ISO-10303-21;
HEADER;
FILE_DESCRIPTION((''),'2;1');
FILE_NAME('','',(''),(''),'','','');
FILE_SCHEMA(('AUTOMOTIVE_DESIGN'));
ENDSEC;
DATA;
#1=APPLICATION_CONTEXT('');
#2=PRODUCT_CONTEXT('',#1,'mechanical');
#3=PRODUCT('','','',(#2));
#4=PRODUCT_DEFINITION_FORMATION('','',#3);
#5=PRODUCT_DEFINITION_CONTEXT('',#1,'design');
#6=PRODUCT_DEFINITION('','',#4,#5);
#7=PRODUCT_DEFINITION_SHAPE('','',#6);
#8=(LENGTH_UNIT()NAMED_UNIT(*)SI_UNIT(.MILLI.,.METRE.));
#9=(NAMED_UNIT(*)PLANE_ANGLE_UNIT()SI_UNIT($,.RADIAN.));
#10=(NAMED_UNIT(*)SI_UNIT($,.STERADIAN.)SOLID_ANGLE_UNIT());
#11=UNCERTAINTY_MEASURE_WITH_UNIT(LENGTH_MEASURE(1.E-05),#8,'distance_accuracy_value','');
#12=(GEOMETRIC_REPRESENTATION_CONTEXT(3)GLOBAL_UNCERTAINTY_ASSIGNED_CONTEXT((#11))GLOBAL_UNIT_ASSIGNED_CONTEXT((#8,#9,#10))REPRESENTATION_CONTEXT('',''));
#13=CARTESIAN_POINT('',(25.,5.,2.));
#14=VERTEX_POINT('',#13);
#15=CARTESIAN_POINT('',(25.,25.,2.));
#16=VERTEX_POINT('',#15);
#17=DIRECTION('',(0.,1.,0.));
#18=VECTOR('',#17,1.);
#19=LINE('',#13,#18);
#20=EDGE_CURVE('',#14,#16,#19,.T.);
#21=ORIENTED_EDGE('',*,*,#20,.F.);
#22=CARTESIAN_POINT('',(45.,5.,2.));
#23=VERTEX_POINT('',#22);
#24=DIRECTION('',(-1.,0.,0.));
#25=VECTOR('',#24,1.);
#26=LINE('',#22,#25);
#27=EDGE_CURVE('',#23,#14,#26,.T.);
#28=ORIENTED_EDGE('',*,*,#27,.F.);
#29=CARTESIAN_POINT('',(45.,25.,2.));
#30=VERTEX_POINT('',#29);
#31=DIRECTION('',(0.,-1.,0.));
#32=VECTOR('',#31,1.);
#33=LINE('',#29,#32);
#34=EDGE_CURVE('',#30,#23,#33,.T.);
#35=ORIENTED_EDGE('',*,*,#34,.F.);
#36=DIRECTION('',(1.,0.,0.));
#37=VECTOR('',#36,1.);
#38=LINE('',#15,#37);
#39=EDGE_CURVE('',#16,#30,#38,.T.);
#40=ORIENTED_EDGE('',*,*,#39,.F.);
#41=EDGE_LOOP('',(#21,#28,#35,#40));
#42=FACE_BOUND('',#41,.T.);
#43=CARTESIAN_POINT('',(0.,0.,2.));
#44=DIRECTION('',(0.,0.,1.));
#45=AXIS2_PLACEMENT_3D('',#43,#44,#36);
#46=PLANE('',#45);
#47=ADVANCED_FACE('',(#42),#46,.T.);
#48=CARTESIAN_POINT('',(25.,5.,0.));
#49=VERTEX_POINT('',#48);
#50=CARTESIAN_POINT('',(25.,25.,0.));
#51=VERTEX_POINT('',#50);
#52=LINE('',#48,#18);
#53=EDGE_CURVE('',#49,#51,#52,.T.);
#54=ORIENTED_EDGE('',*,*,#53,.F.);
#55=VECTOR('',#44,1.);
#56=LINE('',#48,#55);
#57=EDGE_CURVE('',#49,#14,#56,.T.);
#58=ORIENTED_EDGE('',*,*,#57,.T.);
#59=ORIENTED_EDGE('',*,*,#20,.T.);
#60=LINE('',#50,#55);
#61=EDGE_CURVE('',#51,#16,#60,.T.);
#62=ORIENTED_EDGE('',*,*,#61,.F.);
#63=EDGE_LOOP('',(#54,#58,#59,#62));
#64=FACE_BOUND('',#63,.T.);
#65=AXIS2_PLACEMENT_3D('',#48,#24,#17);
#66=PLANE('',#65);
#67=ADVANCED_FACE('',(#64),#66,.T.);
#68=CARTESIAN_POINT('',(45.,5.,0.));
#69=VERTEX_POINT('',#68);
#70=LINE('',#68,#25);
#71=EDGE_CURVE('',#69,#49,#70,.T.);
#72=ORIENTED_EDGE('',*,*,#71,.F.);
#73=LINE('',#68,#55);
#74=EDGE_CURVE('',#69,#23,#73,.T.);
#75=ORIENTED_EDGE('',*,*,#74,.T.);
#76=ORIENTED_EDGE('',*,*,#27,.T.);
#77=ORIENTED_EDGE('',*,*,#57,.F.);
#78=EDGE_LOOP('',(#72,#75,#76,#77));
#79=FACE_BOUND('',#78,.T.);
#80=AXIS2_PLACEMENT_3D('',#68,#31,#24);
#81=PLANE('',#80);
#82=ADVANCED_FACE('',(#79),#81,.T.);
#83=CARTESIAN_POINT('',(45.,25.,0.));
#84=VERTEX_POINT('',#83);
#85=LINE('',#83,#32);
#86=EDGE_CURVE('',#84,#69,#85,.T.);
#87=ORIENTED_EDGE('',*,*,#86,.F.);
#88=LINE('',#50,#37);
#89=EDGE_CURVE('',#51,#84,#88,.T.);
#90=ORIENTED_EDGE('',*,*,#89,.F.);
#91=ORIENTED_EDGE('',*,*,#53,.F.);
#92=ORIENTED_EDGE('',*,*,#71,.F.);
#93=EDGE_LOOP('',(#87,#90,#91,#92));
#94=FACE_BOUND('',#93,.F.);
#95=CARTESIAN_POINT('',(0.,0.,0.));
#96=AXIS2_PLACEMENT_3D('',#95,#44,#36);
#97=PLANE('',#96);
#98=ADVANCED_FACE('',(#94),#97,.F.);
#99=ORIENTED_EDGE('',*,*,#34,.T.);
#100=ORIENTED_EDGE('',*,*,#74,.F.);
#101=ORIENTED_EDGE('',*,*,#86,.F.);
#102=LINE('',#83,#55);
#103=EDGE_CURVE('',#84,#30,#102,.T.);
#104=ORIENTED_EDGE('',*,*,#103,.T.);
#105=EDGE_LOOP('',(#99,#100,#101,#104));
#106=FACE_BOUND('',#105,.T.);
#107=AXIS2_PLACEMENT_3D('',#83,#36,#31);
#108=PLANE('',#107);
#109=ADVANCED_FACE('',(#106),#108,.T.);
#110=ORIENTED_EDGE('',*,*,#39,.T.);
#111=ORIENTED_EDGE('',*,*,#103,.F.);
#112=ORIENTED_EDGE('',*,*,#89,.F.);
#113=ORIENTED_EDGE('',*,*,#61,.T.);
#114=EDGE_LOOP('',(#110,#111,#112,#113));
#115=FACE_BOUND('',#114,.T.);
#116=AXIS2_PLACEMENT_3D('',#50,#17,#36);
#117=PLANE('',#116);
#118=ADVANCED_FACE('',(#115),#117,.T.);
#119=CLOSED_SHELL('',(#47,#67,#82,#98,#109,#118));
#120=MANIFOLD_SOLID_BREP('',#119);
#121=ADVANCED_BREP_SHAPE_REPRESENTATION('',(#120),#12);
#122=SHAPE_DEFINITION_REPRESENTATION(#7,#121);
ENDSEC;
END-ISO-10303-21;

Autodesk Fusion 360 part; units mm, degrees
sketch "Sketch1" plane through (0, 0, 0) normal (0, 0, 1) x (1, 0, 0)
  line L0 (25, 25) -> (45, 25)
  line L1 (45, 25) -> (45, 5)
  line L2 (45, 5) -> (25, 5)
  line L3 (25, 5) -> (25, 25)
  dimension "d1" = 20
  dimension "d2" = 20
extrude "Extrude1" add sketch "Sketch1" along normal blind 2
